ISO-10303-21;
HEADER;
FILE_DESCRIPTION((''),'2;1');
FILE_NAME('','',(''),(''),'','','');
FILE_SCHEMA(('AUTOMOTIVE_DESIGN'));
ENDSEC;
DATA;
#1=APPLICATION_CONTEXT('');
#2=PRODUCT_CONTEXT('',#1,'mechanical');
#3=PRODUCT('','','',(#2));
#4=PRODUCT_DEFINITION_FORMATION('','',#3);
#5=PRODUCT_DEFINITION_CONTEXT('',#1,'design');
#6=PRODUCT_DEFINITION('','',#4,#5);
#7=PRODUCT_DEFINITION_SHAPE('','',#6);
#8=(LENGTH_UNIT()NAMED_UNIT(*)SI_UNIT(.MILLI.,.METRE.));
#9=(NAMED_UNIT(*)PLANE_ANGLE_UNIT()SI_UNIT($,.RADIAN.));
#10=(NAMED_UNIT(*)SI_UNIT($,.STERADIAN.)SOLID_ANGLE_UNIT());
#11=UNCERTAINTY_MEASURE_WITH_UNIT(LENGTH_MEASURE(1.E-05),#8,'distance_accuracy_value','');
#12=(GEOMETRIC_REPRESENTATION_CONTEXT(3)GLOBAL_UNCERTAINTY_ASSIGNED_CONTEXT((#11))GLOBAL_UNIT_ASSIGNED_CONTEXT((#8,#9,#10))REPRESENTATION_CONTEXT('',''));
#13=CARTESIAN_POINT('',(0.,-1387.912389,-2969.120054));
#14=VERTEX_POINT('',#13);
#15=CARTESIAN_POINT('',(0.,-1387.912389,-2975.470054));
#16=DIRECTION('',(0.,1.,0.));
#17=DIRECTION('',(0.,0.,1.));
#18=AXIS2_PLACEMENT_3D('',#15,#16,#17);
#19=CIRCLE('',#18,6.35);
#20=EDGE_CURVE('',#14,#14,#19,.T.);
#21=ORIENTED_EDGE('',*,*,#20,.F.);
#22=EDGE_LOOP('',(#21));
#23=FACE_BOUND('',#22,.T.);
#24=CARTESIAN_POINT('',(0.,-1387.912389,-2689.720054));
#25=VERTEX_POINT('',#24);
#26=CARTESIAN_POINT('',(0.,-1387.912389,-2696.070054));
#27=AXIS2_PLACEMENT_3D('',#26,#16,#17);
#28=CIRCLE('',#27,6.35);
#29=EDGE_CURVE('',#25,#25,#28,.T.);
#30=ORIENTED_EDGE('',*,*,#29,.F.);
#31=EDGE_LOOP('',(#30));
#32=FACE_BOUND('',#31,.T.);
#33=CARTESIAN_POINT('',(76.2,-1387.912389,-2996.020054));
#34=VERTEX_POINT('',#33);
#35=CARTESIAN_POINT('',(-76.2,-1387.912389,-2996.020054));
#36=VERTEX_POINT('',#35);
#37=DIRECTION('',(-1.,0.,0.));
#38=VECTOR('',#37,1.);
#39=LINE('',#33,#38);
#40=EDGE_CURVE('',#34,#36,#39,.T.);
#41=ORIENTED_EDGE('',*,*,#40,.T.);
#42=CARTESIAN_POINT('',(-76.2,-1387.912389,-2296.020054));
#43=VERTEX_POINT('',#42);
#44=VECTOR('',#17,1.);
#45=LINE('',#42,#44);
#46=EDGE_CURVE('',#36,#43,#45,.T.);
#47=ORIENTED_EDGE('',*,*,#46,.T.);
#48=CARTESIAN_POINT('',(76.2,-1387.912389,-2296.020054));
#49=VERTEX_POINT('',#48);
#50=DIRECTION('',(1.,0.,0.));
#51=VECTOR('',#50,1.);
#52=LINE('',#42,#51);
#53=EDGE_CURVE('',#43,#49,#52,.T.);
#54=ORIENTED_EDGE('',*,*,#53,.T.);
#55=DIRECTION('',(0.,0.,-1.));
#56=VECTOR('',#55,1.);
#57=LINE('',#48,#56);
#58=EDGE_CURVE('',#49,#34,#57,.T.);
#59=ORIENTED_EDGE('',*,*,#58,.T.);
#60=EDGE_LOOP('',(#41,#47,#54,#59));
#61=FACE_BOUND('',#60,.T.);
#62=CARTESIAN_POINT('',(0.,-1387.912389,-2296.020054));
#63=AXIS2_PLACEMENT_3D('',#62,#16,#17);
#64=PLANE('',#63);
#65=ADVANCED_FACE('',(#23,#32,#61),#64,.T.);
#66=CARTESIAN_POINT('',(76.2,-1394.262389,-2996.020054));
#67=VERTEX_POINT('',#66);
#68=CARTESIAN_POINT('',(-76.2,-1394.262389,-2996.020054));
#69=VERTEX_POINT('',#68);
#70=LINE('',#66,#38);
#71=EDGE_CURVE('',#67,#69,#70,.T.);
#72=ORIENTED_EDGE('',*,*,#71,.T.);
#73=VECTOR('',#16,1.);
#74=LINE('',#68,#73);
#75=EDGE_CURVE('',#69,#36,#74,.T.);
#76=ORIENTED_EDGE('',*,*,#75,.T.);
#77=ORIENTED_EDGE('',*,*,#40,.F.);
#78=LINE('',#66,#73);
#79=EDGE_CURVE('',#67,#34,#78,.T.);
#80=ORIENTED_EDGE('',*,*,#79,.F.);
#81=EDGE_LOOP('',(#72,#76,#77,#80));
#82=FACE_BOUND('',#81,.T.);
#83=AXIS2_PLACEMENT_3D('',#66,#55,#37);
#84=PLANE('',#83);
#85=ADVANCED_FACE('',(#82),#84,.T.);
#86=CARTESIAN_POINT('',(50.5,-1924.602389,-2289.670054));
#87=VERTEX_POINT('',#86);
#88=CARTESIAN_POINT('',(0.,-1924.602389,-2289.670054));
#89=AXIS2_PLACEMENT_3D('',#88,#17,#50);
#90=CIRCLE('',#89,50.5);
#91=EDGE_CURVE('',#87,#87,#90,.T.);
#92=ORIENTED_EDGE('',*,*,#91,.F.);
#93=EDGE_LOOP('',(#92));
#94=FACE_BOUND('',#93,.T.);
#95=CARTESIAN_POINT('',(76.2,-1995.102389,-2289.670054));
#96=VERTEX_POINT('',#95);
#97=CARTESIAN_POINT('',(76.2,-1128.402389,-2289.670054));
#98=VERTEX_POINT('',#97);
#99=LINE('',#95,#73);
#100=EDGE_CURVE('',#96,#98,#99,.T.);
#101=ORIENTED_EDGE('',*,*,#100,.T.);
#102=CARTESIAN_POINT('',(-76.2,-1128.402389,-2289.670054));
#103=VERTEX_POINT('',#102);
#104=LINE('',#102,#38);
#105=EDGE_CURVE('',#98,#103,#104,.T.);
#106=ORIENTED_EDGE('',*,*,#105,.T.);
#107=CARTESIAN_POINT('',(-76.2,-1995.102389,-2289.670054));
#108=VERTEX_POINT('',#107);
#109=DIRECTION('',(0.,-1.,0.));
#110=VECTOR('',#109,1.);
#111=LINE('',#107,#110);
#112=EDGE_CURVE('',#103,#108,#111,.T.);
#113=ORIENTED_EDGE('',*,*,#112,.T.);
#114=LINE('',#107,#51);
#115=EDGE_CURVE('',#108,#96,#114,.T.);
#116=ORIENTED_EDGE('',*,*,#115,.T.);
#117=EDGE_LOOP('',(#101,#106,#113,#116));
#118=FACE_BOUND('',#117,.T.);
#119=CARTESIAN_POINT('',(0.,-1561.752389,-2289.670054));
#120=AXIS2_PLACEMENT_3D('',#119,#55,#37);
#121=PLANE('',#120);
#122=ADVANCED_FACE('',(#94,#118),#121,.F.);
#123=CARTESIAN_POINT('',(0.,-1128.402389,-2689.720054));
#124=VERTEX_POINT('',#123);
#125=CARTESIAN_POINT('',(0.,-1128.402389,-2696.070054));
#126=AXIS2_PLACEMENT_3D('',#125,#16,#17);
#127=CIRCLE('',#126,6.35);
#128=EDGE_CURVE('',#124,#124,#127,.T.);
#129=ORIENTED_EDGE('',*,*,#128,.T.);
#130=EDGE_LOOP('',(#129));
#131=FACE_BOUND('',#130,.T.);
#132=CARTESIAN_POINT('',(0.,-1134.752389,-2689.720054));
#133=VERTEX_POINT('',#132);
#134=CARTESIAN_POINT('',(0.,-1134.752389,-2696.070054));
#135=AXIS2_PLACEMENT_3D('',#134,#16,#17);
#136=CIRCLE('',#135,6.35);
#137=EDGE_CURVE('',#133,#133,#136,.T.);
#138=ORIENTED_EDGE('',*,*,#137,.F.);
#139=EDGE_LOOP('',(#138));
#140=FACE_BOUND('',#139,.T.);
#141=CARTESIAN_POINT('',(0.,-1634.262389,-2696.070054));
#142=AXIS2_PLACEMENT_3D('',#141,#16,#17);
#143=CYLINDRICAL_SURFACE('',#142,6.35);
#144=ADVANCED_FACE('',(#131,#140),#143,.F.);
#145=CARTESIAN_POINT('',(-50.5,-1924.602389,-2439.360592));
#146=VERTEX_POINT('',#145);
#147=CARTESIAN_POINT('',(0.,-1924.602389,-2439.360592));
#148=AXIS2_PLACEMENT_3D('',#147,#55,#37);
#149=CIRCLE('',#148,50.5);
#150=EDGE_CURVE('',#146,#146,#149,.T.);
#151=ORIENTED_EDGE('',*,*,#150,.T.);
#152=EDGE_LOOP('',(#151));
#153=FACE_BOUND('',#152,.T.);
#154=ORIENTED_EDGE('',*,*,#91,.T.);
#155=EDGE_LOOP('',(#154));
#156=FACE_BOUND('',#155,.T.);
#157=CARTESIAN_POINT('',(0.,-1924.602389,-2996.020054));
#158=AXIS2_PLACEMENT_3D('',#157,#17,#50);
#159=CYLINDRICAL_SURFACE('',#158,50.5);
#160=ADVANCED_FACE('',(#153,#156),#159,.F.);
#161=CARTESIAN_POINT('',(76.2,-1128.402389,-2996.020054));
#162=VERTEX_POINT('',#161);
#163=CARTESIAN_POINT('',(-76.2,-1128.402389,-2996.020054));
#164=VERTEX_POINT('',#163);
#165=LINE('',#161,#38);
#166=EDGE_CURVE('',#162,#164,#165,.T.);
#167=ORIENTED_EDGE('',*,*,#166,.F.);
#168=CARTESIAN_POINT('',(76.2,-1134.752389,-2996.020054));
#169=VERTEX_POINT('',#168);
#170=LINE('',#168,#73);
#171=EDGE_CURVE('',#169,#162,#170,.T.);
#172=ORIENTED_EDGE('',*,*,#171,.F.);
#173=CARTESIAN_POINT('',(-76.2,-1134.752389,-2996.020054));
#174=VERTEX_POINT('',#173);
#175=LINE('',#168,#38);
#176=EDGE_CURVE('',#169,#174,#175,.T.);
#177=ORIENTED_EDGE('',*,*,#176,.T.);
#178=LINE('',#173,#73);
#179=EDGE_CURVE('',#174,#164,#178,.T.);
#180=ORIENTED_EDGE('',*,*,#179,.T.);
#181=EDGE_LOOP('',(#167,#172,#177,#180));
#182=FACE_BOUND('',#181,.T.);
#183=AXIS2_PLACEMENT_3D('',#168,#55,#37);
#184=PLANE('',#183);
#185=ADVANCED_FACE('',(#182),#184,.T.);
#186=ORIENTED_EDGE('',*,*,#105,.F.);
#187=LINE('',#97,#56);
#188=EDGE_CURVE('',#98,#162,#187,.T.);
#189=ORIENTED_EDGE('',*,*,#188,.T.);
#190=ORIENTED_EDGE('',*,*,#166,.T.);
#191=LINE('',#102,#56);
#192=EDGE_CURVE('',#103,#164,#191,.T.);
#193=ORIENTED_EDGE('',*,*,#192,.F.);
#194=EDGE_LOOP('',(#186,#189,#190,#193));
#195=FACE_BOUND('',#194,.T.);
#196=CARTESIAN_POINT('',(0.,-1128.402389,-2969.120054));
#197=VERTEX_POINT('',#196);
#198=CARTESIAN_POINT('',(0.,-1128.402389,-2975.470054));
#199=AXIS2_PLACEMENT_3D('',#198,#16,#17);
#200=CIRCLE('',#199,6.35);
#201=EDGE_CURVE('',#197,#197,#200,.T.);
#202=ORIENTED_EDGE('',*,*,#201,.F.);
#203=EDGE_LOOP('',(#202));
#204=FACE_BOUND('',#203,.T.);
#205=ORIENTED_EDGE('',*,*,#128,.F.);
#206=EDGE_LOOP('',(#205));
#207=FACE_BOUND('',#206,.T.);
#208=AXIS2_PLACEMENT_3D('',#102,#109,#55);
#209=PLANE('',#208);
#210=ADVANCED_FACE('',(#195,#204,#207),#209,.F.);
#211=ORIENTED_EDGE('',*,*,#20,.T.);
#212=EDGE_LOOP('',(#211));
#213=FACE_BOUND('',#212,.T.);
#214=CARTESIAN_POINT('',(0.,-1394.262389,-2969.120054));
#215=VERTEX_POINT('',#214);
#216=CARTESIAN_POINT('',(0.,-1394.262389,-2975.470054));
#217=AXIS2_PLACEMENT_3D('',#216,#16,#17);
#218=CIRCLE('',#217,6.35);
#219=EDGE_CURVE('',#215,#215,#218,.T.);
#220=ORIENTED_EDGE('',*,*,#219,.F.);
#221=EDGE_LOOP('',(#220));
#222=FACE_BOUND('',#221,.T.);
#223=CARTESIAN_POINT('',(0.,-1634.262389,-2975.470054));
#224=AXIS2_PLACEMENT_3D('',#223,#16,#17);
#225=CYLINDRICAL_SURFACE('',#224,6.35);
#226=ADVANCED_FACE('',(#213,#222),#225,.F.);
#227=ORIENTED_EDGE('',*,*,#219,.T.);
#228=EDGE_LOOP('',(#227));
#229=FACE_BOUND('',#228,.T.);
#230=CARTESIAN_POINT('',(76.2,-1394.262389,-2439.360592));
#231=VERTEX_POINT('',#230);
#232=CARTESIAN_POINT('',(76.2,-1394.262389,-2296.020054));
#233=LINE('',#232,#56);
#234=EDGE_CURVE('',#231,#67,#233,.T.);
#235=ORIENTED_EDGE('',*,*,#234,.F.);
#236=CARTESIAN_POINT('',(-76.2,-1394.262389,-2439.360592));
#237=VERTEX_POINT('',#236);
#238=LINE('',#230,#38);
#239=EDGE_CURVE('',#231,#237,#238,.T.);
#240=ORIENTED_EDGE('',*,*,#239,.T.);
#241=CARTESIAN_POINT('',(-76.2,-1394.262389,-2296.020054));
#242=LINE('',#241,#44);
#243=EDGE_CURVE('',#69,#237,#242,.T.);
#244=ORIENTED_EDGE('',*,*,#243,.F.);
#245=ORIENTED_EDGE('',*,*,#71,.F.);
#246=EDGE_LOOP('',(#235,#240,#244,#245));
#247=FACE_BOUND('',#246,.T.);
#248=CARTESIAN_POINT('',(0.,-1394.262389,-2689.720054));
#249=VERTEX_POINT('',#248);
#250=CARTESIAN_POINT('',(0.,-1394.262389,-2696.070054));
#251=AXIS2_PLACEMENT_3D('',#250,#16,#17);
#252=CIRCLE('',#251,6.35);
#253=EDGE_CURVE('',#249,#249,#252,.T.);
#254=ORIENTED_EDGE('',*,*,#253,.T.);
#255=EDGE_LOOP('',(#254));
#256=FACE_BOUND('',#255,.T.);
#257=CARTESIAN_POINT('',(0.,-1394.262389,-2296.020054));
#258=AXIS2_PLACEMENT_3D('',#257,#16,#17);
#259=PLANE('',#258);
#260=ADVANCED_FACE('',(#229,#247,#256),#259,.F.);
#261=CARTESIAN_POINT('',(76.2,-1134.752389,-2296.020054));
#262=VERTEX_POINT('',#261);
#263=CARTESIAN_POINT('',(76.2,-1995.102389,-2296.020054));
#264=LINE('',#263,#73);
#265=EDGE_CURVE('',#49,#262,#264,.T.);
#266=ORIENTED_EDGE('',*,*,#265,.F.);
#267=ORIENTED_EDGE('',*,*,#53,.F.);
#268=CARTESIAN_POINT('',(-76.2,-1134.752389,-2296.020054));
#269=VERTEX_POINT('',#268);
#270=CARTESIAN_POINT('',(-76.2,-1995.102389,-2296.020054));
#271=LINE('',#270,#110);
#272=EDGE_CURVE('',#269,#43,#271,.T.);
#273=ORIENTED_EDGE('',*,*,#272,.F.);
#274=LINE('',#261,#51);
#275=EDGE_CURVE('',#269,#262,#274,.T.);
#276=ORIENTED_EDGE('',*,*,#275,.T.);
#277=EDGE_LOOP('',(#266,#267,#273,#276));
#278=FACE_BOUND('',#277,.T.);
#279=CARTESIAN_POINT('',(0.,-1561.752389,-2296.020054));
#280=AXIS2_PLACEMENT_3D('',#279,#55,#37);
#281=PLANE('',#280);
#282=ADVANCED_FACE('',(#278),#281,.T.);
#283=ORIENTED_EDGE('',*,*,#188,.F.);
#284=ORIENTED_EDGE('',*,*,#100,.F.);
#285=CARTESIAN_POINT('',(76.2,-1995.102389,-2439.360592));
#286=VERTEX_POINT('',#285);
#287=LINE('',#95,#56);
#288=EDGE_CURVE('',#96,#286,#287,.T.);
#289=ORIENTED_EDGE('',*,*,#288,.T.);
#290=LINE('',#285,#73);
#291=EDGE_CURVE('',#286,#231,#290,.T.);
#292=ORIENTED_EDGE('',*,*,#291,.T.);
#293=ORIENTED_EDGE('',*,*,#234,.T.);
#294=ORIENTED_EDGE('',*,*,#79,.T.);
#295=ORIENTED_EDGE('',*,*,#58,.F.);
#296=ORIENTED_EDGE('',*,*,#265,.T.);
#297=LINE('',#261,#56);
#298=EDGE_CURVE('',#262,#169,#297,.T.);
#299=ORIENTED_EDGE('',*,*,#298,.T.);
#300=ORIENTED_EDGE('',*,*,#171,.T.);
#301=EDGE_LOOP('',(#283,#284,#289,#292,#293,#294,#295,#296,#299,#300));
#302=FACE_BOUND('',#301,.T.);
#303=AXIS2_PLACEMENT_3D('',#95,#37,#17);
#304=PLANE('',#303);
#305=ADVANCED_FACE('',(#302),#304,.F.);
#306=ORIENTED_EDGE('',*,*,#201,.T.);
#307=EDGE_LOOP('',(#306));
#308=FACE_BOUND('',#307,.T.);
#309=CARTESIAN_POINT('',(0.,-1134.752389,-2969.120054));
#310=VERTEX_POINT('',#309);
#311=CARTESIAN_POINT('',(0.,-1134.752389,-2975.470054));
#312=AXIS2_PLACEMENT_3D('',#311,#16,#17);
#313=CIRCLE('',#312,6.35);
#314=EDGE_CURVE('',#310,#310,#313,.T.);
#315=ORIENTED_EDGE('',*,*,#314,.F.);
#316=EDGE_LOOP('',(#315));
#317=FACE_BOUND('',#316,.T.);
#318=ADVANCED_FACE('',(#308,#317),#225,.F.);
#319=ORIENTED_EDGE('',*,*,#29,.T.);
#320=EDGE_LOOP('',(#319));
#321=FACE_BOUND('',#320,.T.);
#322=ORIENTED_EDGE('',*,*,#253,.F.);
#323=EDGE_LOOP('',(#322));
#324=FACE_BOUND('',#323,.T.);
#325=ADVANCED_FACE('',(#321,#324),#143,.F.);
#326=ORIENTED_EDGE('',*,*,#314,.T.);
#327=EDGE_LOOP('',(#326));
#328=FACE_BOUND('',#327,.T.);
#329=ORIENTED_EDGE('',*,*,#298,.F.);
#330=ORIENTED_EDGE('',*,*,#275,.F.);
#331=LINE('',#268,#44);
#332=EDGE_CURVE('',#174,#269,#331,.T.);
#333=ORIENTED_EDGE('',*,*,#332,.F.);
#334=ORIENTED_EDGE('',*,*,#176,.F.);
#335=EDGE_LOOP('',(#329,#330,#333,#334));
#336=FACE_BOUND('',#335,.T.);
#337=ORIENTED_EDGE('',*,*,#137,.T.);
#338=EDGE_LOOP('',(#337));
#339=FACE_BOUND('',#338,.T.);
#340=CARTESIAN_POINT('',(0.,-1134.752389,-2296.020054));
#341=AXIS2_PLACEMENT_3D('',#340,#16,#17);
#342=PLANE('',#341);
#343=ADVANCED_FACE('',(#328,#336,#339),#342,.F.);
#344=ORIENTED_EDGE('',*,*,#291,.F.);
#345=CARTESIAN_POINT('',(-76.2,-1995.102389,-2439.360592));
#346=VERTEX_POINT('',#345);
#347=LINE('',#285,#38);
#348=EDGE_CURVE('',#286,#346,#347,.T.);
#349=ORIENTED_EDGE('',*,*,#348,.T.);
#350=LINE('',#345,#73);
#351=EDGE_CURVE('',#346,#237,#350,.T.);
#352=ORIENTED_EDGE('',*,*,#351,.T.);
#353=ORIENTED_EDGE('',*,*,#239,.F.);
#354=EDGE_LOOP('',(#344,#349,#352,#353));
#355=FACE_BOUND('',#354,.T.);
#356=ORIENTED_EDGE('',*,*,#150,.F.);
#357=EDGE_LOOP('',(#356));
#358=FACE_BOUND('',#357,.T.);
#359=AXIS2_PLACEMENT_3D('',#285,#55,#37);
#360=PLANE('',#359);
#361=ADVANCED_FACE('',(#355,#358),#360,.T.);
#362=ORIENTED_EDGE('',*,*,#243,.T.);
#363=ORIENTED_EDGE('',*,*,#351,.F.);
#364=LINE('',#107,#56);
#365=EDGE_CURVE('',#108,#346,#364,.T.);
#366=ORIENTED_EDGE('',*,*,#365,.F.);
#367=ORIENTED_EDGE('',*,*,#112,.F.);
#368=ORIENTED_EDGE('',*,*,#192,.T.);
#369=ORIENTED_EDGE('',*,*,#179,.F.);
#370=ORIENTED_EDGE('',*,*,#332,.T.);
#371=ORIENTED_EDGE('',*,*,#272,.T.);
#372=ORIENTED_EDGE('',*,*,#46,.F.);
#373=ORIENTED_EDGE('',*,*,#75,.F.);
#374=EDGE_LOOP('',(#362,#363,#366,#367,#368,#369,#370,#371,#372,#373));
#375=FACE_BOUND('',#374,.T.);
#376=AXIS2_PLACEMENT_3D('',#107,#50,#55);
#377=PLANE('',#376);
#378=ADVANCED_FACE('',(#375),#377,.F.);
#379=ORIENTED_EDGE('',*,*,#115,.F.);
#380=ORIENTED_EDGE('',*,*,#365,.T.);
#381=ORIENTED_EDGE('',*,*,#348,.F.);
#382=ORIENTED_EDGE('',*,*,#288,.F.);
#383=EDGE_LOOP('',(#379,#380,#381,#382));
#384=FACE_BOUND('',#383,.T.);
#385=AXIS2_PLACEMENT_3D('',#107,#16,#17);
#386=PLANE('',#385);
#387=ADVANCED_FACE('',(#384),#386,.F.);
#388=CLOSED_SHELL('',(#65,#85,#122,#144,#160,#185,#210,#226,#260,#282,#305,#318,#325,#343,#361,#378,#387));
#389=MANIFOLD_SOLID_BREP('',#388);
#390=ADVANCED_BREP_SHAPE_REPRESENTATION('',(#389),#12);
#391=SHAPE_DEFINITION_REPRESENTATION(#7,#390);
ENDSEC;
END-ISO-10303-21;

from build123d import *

# Parameters (mm, degrees)
SKETCH1_W           = 3870.96
SKETCH1_H           = 22014.18
BOSS_EXTRUDE1_DEPTH = 161.29
SKETCH2_W           = 3870.96
SKETCH2_H           = 17780
BOSS_EXTRUDE2_DEPTH = 161.29
SKETCH3_W           = 3870.96
SKETCH3_H           = 17780
BOSS_EXTRUDE3_DEPTH = 161.29
SKETCH4_W           = 3870.96
SKETCH4_H           = 3709.67
BOSS_EXTRUDE4_DEPTH = 15261.336
SKETCH5_R           = 161.29
CUT_EXTRUDE1_DEPTH  = 12848.844
SKETCH7_R           = 1282.7
CUT_EXTRUDE2_DEPTH  = 21138.454907405
SCALE1_SCALE        = 0.039370079


with BuildPart() as part:
    # Sketch1 → Boss-Extrude1 (new body)
    with BuildSketch(Plane.XY):
        Rectangle(SKETCH1_W, SKETCH1_H)
    extrude(amount=BOSS_EXTRUDE1_DEPTH)

    # Sketch2 → Boss-Extrude2 (add)
    with BuildSketch(Plane(origin=(0, 11007.09, 0), x_dir=(1, 0, 0), z_dir=(0, 1, 0))):
        with Locations((0, 8890)):
            Rectangle(SKETCH2_W, SKETCH2_H)
    extrude(amount=-BOSS_EXTRUDE2_DEPTH)

    # Sketch3 → Boss-Extrude3 (add)
    with BuildSketch(Plane(origin=(0, 4415.536, 0), x_dir=(1, 0, 0), z_dir=(0, 1, 0))):
        with Locations((0, 8890)):
            Rectangle(SKETCH3_W, SKETCH3_H)
    extrude(amount=-BOSS_EXTRUDE3_DEPTH)

    # Sketch4 → Boss-Extrude4 (add)
    with BuildSketch(Plane.XZ.offset(-4254.246)):
        with Locations((0, -1786.014661267)):
            Rectangle(SKETCH4_W, SKETCH4_H)
    extrude(amount=BOSS_EXTRUDE4_DEPTH)

    # Sketch5 → Cut-Extrude1 (cut)
    with BuildSketch(Plane(origin=(0, 11007.09, 0), x_dir=(1, 0, 0), z_dir=(0, 1, 0))):
        with Locations(Location((0, 17258.03, 0), (0, 0, 270))):
            Circle(SKETCH5_R)
        with Locations(Location((0, 10161.27, 0), (0, 0, 270))):
            Circle(SKETCH5_R)
    extrude(amount=-CUT_EXTRUDE1_DEPTH, mode=Mode.SUBTRACT)

    # Sketch7 → Cut-Extrude2 (cut, through all)
    with BuildSketch(Plane.XY.offset(161.29)):
        with Locations((0, -9216.39)):
            Circle(SKETCH7_R)
    extrude(amount=-CUT_EXTRUDE2_DEPTH, mode=Mode.SUBTRACT)


with BuildPart() as part_1:
    # Scale1: scaled about (0, -1625.758634815, -2390.119236931)
    add(part.part.scale(SCALE1_SCALE).moved(Location((0, -1561.75238935, -2296.020054375))))


solid = part_1.part
